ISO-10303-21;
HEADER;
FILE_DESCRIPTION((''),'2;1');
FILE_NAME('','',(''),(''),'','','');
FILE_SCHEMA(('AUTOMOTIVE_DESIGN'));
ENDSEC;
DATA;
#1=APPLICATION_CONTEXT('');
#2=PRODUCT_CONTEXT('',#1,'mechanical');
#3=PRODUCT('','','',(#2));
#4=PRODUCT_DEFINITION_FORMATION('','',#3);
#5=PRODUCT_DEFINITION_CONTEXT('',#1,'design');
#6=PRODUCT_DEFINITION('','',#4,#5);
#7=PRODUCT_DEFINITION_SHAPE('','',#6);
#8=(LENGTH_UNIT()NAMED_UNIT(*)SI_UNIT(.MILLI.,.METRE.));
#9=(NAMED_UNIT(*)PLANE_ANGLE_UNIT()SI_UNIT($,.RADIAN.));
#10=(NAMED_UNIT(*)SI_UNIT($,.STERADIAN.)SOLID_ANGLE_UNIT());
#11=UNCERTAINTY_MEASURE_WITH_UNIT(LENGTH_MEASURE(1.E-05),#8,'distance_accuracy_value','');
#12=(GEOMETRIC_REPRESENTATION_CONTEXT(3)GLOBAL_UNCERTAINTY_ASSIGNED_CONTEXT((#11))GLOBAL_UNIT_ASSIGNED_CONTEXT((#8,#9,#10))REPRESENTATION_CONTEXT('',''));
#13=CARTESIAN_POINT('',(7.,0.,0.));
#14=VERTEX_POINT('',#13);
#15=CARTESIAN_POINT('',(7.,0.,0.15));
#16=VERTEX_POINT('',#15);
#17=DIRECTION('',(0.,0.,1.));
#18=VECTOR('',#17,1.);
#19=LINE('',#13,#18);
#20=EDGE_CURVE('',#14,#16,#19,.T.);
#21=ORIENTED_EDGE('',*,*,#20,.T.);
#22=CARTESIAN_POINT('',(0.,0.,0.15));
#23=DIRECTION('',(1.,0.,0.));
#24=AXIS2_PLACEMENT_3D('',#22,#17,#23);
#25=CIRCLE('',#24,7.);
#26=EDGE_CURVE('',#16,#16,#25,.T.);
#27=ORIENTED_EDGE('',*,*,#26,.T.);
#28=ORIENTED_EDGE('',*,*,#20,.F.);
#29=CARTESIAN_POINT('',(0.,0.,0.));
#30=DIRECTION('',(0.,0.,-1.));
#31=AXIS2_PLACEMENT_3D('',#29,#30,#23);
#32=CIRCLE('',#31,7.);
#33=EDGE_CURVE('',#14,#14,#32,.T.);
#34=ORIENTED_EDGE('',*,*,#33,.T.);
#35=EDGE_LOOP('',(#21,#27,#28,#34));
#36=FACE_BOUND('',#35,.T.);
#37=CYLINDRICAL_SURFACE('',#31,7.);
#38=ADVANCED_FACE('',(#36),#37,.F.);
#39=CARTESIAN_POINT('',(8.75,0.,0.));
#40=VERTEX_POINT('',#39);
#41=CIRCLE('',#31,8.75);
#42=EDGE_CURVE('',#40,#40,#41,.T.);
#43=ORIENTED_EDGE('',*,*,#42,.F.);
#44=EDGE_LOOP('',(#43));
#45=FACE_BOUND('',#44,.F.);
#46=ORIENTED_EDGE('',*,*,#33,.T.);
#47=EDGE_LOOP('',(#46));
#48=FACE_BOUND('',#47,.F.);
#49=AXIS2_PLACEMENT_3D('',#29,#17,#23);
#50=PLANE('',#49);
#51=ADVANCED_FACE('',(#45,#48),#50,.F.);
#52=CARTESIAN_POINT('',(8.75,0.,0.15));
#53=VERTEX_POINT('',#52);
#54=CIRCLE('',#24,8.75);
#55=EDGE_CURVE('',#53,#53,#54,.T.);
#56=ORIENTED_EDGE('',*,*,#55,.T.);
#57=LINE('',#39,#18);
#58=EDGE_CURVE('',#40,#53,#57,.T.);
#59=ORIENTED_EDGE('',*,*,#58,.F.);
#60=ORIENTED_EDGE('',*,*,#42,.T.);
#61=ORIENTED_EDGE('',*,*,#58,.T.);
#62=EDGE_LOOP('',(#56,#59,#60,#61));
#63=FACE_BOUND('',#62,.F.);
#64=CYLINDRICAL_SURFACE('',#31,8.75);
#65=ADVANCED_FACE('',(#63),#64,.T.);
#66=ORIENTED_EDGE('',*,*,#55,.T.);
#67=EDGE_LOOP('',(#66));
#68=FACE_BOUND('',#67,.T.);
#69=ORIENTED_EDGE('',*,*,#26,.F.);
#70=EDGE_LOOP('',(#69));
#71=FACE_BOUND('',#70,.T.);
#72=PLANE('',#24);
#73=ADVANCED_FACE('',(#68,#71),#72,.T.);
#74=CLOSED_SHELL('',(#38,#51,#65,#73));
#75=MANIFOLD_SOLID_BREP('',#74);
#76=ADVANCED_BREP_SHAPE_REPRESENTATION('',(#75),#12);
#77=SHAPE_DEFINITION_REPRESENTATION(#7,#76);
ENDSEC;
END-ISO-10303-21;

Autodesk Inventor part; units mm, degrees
ref_plane "YZ-Ebene" through (0, 0, 0) normal (1, 0, 0) x (0, 1, 0)
ref_plane "XZ-Ebene" through (0, 0, 0) normal (0, 1, 0) x (-1, 0, 0)
ref_plane "XY-Ebene" through (0, 0, 0) normal (0, 0, 1) x (1, 0, 0)
sketch "Skizze1" plane through (0, 0, 0) normal (0, 0, 1) x (1, 0, 0)
  line L0 (-12.25, 0) -> (12.25, 0) projected
  line L1 (0, -12.25) -> (0, 12.25) projected
  circle A0 centre (0, 0) radius 7
  circle A1 centre (0, 0) radius 8.75
  dimension "d0" = 14
  dimension "d1" = 17.5
extrude "Extrusion1" add sketch "Skizze1" along normal blind 0.15 contours A0 L1 A1 L0 | L0 A1 L1 A0 | A0 L0 A1 L1 | L1 A1 L0 A0
properties part number "Zylinderbuchsenring_ra8846s" material "Aluminium 6061"
